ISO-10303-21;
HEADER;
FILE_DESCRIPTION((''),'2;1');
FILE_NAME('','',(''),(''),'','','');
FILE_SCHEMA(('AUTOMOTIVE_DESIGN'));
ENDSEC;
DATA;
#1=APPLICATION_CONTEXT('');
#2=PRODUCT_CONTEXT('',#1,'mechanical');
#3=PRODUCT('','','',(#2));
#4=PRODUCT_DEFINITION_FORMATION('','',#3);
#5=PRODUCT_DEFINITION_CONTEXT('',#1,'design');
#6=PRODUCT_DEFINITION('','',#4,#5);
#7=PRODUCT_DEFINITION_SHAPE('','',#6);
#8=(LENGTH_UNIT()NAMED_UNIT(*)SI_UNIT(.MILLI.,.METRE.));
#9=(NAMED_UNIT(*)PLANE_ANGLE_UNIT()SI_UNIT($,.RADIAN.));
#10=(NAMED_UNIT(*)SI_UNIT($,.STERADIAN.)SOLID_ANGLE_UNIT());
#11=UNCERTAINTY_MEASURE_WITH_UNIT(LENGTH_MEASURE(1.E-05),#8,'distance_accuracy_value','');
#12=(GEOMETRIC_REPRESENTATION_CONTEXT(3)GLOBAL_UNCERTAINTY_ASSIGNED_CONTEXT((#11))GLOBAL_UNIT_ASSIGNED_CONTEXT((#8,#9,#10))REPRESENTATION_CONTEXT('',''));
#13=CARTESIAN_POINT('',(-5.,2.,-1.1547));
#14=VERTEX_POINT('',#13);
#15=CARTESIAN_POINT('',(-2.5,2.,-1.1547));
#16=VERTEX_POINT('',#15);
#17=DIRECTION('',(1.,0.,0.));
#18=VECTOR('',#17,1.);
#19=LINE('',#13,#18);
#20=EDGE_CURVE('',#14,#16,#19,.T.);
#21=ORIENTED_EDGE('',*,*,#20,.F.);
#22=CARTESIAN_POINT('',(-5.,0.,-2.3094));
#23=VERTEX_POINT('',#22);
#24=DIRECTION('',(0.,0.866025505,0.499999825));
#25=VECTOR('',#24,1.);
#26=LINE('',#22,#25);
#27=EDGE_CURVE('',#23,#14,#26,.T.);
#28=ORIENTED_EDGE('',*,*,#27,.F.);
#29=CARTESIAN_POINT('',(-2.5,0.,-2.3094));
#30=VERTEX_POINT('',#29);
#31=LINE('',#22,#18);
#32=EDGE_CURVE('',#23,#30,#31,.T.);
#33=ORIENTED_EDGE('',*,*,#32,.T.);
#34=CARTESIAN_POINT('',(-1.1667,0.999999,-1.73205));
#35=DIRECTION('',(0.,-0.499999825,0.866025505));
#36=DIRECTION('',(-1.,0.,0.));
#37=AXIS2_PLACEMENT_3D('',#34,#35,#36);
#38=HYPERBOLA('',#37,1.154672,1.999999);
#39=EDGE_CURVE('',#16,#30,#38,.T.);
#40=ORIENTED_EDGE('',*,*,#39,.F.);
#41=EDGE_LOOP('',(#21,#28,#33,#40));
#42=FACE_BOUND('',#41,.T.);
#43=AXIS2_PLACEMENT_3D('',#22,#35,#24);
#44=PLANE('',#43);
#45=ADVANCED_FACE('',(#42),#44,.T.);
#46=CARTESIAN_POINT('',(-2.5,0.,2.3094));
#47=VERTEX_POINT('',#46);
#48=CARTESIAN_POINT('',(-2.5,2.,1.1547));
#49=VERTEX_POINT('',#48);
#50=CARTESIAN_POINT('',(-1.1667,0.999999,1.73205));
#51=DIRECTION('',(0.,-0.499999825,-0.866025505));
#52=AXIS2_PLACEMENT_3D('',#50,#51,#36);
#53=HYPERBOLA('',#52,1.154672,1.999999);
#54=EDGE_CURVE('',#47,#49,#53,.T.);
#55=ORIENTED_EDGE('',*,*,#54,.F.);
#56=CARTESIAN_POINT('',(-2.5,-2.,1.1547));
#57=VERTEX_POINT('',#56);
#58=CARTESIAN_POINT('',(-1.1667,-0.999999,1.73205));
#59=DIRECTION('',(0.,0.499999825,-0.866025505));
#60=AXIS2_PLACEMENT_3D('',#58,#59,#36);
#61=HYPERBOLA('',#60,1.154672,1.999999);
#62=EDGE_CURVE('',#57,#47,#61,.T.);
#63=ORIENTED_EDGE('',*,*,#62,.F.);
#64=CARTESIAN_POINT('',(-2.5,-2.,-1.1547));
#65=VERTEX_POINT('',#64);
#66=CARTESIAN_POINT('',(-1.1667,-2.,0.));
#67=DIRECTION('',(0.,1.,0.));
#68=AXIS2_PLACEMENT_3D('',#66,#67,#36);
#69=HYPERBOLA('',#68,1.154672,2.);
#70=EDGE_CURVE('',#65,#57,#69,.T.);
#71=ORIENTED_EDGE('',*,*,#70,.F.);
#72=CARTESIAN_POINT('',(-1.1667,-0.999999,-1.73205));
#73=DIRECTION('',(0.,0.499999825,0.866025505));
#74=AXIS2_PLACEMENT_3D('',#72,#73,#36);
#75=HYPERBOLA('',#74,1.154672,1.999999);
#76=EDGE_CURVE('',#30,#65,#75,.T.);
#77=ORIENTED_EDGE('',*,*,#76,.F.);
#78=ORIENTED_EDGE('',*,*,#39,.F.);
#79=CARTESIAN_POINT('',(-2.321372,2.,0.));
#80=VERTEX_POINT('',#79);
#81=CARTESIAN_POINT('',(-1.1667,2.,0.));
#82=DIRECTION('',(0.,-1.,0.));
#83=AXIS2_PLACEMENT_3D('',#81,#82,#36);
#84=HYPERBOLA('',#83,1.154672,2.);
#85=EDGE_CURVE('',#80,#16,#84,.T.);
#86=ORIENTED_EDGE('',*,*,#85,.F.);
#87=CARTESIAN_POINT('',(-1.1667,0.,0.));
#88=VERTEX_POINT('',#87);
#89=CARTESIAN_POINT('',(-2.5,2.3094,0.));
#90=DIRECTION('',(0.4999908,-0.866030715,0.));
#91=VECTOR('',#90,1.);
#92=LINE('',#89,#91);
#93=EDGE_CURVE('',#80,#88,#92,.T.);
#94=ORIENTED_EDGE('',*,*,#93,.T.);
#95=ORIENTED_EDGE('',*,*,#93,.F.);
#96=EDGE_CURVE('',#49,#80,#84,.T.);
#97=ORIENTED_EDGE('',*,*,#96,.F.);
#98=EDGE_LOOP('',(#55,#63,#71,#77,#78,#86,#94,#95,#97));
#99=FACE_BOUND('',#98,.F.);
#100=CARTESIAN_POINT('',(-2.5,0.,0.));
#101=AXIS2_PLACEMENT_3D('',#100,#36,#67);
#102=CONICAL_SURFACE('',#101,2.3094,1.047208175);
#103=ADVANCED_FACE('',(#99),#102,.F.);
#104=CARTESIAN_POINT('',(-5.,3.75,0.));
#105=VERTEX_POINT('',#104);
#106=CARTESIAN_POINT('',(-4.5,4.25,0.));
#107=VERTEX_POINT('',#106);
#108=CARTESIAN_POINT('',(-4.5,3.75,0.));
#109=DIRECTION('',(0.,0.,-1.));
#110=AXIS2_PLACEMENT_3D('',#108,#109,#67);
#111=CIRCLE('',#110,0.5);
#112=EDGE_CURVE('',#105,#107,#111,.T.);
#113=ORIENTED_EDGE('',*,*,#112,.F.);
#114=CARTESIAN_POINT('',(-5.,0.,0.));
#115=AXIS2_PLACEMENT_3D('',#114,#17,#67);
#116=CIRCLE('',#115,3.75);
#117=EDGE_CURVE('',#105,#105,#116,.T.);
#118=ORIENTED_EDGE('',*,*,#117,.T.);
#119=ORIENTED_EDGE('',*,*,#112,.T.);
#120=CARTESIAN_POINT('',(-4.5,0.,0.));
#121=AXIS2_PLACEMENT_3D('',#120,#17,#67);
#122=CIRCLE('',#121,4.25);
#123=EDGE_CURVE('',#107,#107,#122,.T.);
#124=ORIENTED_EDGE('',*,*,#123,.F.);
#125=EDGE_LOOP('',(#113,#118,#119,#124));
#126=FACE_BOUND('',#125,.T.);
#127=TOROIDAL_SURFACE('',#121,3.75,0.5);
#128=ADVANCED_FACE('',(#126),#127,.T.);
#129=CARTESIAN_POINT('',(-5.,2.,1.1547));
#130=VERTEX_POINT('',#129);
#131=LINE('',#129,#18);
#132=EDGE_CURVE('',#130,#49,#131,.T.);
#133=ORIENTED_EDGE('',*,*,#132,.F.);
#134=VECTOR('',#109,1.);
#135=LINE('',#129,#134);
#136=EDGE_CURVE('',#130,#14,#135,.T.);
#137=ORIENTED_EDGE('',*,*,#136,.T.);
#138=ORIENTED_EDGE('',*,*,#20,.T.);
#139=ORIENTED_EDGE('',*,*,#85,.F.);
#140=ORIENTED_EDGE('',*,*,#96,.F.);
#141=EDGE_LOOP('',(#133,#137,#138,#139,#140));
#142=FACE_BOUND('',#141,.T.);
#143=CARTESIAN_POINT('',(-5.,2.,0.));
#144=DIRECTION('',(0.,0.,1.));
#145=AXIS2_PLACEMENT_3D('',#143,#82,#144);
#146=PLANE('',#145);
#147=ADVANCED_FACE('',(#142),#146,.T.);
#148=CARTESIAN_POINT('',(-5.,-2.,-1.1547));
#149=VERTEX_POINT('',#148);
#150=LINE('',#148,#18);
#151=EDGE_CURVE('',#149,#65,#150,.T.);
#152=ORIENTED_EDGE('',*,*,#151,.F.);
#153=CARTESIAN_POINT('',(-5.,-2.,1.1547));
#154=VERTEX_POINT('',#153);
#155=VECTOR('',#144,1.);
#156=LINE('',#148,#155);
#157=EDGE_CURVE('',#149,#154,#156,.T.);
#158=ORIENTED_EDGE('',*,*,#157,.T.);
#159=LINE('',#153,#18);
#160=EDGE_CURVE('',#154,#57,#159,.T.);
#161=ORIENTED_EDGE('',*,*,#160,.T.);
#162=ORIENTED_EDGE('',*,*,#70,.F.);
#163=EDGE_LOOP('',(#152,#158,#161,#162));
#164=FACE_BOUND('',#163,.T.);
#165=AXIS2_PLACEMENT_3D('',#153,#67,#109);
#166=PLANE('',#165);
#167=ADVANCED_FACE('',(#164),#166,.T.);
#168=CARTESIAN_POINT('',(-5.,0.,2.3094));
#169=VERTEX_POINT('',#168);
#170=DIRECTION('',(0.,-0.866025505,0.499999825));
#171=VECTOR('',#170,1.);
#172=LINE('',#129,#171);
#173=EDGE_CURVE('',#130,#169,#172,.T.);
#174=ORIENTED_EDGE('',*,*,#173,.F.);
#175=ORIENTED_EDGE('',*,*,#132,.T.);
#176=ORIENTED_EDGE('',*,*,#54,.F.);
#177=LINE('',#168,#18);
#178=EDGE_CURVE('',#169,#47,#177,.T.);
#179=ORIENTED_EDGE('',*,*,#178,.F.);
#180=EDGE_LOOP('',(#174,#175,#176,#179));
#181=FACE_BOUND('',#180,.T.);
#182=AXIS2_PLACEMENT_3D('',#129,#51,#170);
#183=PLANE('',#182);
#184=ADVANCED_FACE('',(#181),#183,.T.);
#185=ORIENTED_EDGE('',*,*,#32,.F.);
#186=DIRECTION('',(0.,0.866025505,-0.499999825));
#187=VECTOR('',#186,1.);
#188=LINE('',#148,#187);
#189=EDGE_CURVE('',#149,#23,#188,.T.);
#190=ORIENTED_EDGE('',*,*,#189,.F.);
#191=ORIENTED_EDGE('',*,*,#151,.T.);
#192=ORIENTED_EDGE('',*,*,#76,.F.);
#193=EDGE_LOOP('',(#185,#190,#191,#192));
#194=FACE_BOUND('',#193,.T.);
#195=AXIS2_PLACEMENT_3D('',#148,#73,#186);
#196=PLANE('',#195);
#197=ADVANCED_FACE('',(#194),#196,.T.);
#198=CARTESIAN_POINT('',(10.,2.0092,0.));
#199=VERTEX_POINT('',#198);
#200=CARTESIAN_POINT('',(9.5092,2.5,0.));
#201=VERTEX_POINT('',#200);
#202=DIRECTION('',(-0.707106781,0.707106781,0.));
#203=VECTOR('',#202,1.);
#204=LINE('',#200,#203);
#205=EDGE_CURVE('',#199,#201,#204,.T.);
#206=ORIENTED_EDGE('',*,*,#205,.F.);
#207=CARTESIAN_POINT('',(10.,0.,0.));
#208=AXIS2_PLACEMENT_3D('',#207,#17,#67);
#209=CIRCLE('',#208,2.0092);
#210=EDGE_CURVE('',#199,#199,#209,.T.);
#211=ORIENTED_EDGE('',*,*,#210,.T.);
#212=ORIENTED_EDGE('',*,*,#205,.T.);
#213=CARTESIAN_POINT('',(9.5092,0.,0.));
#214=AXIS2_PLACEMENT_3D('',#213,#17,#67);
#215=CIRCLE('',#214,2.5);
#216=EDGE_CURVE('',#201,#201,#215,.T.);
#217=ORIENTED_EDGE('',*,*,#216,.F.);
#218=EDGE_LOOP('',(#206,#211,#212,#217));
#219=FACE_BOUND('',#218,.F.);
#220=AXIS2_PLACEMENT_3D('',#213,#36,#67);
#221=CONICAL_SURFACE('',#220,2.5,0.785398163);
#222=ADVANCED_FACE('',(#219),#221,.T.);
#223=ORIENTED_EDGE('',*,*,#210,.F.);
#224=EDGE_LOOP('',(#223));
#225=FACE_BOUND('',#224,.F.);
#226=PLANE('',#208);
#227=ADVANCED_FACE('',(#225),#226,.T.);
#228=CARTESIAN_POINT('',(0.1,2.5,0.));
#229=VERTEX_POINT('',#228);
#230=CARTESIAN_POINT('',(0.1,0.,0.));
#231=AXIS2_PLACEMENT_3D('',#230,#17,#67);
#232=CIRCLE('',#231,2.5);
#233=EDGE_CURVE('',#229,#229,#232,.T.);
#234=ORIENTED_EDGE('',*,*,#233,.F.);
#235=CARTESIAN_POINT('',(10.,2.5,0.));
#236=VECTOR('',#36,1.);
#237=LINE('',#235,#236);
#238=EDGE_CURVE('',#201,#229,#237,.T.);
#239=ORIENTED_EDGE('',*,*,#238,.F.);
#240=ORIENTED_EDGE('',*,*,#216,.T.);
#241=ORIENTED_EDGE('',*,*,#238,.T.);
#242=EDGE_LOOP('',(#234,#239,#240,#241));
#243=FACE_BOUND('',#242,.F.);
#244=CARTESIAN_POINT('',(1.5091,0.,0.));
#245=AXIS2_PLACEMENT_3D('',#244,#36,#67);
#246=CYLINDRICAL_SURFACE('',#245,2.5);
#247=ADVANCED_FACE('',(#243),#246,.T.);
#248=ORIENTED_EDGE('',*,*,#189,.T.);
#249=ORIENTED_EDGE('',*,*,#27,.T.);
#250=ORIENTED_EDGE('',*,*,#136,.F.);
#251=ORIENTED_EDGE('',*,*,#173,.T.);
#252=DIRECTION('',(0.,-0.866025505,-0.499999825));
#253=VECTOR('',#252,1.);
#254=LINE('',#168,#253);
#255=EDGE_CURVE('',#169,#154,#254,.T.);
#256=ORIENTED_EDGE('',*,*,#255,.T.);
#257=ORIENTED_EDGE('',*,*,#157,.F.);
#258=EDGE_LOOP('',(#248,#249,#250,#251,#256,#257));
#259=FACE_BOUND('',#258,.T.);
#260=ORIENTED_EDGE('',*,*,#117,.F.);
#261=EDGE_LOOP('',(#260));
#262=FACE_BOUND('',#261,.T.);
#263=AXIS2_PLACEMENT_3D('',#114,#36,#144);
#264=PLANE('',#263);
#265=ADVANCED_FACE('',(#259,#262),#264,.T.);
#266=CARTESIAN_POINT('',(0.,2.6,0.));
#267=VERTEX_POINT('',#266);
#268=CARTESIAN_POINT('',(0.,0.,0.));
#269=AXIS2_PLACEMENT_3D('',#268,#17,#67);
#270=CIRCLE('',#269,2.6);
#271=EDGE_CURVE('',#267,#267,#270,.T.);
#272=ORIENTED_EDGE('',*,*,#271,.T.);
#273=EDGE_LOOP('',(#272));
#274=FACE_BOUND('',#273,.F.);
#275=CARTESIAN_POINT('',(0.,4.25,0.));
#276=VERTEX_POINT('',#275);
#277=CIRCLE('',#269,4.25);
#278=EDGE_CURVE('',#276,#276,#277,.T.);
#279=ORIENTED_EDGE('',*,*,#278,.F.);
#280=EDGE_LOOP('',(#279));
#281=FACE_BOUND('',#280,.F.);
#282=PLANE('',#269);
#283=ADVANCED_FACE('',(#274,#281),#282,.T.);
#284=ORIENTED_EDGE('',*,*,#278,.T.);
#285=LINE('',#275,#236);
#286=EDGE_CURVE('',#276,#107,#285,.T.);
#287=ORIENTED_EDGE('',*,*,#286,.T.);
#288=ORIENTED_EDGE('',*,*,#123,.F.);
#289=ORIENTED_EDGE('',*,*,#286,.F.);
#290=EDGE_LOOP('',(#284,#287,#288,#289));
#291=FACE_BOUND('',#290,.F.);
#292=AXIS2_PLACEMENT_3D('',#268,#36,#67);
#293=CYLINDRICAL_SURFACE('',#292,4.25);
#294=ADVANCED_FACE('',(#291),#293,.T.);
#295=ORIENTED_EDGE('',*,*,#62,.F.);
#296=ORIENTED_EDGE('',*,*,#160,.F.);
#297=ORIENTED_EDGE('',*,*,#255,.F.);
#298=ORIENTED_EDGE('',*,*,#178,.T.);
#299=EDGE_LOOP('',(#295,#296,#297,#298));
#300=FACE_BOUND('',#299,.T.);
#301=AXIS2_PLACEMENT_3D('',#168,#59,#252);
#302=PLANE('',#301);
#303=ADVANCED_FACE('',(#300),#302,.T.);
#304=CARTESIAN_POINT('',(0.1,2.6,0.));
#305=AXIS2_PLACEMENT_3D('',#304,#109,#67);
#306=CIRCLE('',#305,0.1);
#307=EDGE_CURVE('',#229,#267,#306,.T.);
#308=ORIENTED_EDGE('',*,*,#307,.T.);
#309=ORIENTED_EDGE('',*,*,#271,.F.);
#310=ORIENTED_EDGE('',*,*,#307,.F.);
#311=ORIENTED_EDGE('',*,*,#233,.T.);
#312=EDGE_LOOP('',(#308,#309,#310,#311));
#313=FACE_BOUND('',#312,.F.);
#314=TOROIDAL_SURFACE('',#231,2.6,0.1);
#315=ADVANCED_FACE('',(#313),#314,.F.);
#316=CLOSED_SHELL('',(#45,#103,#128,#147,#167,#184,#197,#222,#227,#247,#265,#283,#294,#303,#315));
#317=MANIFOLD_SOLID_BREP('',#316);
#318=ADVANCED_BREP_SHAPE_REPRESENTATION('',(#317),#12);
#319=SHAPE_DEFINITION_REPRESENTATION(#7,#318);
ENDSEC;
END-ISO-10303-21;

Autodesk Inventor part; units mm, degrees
ref_plane "YZ Plane" through (0, 0, 0) normal (1, 0, 0) x (0, 1, 0)
ref_plane "XZ Plane" through (0, 0, 0) normal (0, 1, 0) x (-1, 0, 0)
sketch "Szkic1" plane through (0, 0, 0) normal (0, 0, 1) x (1, 0, 0)
  line L0 (-1.1667, 0) -> (10, 0)
  line L1 (10, 0) -> (10, 2.5)
  line L2 (10, 2.5) -> (2, 2.5)
  line L3 (2, 2.5) -> (1.5091, 2.5)
  line L4 (1.5091, 2.5) -> (0, 2.5)
  line L5 (0, 2.5) -> (0, 4.25)
  line L6 (0, 4.25) -> (-5, 4.25)
  line L7 (-5, 4.25) -> (-5, 2.3094)
  line L8 (-5, 2.3094) -> (-2.5, 2.3094)
  line L9 (-2.5, 2.3094) -> (-1.1667, 0)
  line L10 (-8, 0) -> (13, 0) projected
  line L11 (0, -0.85) -> (0, 5.1) projected
  line L12 (2, 2.5) -> (0, 2.5) construction
  dimension "d1" = 8
  dimension "d2" = 0.4909
  dimension "d3" = 5
  dimension "d4" = 2.5
  dimension "d5" = 60
  dimension "d6" = 5
  dimension "d7" = 5
  dimension "d8" = 4.6188
  dimension "d9" = 8.5
  dimension "d26" = 10
revolve "Bryła" add sketch "Szkic1" angle 360 about axis through (-1.1667, 0, 0) along (1, 0, 0)
sketch "Szkic2" plane through (-5, 0, 0) normal (-1, 0, 0) x (0, 0, 1)
  circle A0 centre (0, 0) radius 2.3094 projected
  line L0 (0, -5.95) -> (0, 5.95) projected
  line L1 (-5.95, 0) -> (5.95, 0) projected
  line L2 (2.3094, 0) -> (1.1547, -2)
  line L3 (1.1547, -2) -> (-1.1547, -2)
  line L4 (-1.1547, -2) -> (-2.3094, 0)
  line L5 (-2.3094, 0) -> (-1.1547, 2)
  line L6 (-1.1547, 2) -> (1.1547, 2)
  line L7 (1.1547, 2) -> (2.3094, 0)
extrude "Szczelina" add sketch "Szkic2" against normal up to next contours L7 A0 | A0 L2 | L6 L0 A0 | A0 L0 L3 | L0 L6 A0 | A0 L3 L0 | L4 A0 | A0 L5
fillet "Zaokrąglenie1" radius 0.5 1 edges at (-5, -4.25, 0)
thread "Gwint" size "M5x0.8" class "6g" standard "ISO Metric profile" length 8
chamfer "Faza1" distance 0.4908 distance2 0.4908 1 edges at (10, -2.5, 0) measured on face at (10, -0.7741, -0.6858)
ref_plane "Work Plane1" through (29, 0, 0) normal (0, -1, 0) x (1, 0, 0)
fillet "Fillet2" radius 0.1 1 edges at (0, -2.5, 0)
equation "\"d1\" = GEL"
equation "\"d3\" = KOH"
equation "\"d4\" = INTI"
equation "\"d6\" = GD"
equation "\"d7\" = BDM"
equation "\"d8\" = 1.1547 * SW"
equation "\"d9\" = KOD"
equation "\"d26\" = NLG"
equation "\"d30\" = R"
equation "\"d17\" = RR"
equation "\"d13\" = GEL"
equation "\"d15\" = -0.5 * SPD + 0.5 * GD"
equation "\"d16\" = GUL"
equation "\"GD\" = NND"
equation "\"NLG\" = 10"
equation "\"GEL\" = 8"
equation "\"KOD\" = 8.5"
equation "\"KOH\" = NND"
equation "\"INTI\" = 2.5"
equation "\"GAL\" = 0.61345 * PTC"
equation "\"GUL\" = 0.61345 * PTC"
equation "\"BDM\" = NND"
equation "\"SW\" = 4"
equation "\"RR\" = 0.1 * NND"
equation "\"SPD\" = NND - 1.2269 * PTC"
equation "\"R\" = 0.1"
equation "\"PHH\" = 0.13"
equation "\"GD1\" = THREADDIA - 1.2269 * PTC"
equation "\"THREADDIA\" = 5"
equation "\"FAWI\" = 45deg"
equation "\"PTC\" = 0.8"
equation "\"KOH1\" = 4.5"
equation "\"NND\" = 5"
equation "\"TOA\" = 30deg"
equation "\"E0\" = 1.155 * SW"
properties part number "AS 1420 - 1973 - M5 x 10" material "Stal, miękka"
